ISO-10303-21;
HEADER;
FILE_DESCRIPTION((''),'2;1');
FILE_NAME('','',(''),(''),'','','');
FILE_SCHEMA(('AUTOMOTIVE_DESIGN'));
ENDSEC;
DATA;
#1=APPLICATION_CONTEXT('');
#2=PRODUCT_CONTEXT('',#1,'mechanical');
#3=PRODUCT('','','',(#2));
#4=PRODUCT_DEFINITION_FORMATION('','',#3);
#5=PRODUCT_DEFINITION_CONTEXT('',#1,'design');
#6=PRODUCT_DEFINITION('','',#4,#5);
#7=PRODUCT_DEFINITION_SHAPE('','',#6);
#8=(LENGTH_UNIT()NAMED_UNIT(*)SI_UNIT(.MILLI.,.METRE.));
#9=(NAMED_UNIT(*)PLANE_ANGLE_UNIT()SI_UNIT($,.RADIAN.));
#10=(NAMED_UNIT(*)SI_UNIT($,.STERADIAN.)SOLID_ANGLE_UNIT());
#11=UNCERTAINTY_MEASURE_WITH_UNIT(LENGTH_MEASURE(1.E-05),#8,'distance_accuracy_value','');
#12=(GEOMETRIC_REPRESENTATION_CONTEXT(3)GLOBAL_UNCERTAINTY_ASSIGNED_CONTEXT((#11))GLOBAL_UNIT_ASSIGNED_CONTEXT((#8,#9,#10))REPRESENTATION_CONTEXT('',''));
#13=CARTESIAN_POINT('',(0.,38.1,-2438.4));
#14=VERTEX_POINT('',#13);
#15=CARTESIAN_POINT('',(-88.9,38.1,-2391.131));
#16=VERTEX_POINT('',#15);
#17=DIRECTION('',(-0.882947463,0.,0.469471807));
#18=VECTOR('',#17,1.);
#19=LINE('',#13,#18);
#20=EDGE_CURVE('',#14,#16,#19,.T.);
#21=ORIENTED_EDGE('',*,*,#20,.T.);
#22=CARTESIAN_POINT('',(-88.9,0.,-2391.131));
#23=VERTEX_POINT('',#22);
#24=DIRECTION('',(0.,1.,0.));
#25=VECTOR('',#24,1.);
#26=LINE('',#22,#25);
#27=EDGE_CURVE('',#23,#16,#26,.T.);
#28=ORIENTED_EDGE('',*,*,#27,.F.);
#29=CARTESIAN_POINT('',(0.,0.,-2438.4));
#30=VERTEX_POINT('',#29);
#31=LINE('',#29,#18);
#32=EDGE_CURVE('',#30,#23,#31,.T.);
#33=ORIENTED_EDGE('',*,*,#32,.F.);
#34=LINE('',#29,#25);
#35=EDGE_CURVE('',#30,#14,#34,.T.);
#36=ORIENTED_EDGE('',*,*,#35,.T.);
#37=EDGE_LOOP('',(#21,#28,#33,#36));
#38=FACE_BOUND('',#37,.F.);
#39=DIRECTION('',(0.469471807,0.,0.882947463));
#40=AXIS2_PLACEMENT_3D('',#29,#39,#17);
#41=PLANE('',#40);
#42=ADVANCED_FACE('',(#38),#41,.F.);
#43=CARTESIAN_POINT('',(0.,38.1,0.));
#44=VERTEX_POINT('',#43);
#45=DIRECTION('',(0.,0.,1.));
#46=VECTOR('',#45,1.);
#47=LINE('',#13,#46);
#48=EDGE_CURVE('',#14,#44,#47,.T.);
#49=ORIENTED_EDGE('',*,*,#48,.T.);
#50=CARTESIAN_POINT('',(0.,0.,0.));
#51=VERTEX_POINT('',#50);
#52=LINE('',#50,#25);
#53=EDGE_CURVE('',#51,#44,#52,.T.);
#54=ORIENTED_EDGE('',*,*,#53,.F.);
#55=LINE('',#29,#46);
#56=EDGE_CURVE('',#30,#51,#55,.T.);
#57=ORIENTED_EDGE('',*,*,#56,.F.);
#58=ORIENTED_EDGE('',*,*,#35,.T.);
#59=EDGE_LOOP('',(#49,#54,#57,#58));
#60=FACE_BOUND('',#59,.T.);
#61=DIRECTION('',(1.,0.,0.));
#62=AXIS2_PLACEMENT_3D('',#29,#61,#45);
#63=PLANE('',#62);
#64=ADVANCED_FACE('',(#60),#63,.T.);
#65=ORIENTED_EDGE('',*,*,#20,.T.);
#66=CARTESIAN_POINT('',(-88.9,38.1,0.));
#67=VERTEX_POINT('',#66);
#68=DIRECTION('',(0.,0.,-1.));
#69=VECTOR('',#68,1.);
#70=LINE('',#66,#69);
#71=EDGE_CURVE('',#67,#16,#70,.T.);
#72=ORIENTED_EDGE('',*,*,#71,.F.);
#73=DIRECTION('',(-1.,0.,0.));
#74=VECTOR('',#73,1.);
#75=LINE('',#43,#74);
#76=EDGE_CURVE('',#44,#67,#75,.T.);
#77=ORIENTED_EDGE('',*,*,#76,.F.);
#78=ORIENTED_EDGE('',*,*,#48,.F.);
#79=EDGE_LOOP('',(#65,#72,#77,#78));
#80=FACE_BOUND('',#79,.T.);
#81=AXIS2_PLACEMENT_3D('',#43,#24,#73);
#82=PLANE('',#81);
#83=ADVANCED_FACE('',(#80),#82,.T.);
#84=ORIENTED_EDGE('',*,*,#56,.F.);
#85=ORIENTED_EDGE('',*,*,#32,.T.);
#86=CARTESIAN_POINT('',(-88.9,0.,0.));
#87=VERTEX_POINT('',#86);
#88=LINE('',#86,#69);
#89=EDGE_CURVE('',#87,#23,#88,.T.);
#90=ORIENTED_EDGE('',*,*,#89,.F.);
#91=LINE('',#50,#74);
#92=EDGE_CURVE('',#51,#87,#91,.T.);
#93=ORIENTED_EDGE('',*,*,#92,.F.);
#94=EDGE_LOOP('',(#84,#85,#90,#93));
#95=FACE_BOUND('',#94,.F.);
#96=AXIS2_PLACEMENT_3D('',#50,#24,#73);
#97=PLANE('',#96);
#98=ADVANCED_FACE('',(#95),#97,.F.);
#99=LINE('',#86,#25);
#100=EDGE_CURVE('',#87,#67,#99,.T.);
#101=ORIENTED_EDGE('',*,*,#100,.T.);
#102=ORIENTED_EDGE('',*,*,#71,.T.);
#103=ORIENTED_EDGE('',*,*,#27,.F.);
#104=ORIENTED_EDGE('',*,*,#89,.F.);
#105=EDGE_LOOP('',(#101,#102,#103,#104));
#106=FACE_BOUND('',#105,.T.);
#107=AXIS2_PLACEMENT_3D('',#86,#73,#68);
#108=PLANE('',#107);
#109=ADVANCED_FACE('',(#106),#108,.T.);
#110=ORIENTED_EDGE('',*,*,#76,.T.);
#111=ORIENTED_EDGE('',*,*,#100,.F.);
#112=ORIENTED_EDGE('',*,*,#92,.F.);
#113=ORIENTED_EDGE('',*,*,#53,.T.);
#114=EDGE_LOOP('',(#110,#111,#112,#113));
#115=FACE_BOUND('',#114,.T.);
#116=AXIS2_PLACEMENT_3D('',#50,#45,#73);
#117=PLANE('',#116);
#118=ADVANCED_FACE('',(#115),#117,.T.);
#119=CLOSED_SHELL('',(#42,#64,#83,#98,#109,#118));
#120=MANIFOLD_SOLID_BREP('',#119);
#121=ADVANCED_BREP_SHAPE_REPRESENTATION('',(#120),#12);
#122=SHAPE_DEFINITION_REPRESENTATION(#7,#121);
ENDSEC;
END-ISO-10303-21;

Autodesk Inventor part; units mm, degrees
ref_plane "YZ Plane" through (0, 0, 0) normal (1, 0, 0) x (0, 1, 0)
ref_plane "XZ Plane" through (0, 0, 0) normal (0, 1, 0) x (-1, 0, 0)
ref_plane "XY Plane" through (0, 0, 0) normal (0, 0, 1) x (1, 0, 0)
sketch "Sketch1" plane through (0, 0, 0) normal (0, 1, 0) x (-1, 0, 0)
  line L0 (0, 0) -> (88.9, 0)
  line L1 (88.9, 0) -> (88.9, -2391.131)
  line L2 (0, -2438.4) -> (0, 0)
  line L3 (0, -2438.4) -> (88.9, -2391.131)
  line L4 (0, -2438.4) -> (107.992, -2438.4) construction
extrude "Extrusion1" add sketch "Sketch1" along normal blind 38.1
properties part number "S_2x4x96"
